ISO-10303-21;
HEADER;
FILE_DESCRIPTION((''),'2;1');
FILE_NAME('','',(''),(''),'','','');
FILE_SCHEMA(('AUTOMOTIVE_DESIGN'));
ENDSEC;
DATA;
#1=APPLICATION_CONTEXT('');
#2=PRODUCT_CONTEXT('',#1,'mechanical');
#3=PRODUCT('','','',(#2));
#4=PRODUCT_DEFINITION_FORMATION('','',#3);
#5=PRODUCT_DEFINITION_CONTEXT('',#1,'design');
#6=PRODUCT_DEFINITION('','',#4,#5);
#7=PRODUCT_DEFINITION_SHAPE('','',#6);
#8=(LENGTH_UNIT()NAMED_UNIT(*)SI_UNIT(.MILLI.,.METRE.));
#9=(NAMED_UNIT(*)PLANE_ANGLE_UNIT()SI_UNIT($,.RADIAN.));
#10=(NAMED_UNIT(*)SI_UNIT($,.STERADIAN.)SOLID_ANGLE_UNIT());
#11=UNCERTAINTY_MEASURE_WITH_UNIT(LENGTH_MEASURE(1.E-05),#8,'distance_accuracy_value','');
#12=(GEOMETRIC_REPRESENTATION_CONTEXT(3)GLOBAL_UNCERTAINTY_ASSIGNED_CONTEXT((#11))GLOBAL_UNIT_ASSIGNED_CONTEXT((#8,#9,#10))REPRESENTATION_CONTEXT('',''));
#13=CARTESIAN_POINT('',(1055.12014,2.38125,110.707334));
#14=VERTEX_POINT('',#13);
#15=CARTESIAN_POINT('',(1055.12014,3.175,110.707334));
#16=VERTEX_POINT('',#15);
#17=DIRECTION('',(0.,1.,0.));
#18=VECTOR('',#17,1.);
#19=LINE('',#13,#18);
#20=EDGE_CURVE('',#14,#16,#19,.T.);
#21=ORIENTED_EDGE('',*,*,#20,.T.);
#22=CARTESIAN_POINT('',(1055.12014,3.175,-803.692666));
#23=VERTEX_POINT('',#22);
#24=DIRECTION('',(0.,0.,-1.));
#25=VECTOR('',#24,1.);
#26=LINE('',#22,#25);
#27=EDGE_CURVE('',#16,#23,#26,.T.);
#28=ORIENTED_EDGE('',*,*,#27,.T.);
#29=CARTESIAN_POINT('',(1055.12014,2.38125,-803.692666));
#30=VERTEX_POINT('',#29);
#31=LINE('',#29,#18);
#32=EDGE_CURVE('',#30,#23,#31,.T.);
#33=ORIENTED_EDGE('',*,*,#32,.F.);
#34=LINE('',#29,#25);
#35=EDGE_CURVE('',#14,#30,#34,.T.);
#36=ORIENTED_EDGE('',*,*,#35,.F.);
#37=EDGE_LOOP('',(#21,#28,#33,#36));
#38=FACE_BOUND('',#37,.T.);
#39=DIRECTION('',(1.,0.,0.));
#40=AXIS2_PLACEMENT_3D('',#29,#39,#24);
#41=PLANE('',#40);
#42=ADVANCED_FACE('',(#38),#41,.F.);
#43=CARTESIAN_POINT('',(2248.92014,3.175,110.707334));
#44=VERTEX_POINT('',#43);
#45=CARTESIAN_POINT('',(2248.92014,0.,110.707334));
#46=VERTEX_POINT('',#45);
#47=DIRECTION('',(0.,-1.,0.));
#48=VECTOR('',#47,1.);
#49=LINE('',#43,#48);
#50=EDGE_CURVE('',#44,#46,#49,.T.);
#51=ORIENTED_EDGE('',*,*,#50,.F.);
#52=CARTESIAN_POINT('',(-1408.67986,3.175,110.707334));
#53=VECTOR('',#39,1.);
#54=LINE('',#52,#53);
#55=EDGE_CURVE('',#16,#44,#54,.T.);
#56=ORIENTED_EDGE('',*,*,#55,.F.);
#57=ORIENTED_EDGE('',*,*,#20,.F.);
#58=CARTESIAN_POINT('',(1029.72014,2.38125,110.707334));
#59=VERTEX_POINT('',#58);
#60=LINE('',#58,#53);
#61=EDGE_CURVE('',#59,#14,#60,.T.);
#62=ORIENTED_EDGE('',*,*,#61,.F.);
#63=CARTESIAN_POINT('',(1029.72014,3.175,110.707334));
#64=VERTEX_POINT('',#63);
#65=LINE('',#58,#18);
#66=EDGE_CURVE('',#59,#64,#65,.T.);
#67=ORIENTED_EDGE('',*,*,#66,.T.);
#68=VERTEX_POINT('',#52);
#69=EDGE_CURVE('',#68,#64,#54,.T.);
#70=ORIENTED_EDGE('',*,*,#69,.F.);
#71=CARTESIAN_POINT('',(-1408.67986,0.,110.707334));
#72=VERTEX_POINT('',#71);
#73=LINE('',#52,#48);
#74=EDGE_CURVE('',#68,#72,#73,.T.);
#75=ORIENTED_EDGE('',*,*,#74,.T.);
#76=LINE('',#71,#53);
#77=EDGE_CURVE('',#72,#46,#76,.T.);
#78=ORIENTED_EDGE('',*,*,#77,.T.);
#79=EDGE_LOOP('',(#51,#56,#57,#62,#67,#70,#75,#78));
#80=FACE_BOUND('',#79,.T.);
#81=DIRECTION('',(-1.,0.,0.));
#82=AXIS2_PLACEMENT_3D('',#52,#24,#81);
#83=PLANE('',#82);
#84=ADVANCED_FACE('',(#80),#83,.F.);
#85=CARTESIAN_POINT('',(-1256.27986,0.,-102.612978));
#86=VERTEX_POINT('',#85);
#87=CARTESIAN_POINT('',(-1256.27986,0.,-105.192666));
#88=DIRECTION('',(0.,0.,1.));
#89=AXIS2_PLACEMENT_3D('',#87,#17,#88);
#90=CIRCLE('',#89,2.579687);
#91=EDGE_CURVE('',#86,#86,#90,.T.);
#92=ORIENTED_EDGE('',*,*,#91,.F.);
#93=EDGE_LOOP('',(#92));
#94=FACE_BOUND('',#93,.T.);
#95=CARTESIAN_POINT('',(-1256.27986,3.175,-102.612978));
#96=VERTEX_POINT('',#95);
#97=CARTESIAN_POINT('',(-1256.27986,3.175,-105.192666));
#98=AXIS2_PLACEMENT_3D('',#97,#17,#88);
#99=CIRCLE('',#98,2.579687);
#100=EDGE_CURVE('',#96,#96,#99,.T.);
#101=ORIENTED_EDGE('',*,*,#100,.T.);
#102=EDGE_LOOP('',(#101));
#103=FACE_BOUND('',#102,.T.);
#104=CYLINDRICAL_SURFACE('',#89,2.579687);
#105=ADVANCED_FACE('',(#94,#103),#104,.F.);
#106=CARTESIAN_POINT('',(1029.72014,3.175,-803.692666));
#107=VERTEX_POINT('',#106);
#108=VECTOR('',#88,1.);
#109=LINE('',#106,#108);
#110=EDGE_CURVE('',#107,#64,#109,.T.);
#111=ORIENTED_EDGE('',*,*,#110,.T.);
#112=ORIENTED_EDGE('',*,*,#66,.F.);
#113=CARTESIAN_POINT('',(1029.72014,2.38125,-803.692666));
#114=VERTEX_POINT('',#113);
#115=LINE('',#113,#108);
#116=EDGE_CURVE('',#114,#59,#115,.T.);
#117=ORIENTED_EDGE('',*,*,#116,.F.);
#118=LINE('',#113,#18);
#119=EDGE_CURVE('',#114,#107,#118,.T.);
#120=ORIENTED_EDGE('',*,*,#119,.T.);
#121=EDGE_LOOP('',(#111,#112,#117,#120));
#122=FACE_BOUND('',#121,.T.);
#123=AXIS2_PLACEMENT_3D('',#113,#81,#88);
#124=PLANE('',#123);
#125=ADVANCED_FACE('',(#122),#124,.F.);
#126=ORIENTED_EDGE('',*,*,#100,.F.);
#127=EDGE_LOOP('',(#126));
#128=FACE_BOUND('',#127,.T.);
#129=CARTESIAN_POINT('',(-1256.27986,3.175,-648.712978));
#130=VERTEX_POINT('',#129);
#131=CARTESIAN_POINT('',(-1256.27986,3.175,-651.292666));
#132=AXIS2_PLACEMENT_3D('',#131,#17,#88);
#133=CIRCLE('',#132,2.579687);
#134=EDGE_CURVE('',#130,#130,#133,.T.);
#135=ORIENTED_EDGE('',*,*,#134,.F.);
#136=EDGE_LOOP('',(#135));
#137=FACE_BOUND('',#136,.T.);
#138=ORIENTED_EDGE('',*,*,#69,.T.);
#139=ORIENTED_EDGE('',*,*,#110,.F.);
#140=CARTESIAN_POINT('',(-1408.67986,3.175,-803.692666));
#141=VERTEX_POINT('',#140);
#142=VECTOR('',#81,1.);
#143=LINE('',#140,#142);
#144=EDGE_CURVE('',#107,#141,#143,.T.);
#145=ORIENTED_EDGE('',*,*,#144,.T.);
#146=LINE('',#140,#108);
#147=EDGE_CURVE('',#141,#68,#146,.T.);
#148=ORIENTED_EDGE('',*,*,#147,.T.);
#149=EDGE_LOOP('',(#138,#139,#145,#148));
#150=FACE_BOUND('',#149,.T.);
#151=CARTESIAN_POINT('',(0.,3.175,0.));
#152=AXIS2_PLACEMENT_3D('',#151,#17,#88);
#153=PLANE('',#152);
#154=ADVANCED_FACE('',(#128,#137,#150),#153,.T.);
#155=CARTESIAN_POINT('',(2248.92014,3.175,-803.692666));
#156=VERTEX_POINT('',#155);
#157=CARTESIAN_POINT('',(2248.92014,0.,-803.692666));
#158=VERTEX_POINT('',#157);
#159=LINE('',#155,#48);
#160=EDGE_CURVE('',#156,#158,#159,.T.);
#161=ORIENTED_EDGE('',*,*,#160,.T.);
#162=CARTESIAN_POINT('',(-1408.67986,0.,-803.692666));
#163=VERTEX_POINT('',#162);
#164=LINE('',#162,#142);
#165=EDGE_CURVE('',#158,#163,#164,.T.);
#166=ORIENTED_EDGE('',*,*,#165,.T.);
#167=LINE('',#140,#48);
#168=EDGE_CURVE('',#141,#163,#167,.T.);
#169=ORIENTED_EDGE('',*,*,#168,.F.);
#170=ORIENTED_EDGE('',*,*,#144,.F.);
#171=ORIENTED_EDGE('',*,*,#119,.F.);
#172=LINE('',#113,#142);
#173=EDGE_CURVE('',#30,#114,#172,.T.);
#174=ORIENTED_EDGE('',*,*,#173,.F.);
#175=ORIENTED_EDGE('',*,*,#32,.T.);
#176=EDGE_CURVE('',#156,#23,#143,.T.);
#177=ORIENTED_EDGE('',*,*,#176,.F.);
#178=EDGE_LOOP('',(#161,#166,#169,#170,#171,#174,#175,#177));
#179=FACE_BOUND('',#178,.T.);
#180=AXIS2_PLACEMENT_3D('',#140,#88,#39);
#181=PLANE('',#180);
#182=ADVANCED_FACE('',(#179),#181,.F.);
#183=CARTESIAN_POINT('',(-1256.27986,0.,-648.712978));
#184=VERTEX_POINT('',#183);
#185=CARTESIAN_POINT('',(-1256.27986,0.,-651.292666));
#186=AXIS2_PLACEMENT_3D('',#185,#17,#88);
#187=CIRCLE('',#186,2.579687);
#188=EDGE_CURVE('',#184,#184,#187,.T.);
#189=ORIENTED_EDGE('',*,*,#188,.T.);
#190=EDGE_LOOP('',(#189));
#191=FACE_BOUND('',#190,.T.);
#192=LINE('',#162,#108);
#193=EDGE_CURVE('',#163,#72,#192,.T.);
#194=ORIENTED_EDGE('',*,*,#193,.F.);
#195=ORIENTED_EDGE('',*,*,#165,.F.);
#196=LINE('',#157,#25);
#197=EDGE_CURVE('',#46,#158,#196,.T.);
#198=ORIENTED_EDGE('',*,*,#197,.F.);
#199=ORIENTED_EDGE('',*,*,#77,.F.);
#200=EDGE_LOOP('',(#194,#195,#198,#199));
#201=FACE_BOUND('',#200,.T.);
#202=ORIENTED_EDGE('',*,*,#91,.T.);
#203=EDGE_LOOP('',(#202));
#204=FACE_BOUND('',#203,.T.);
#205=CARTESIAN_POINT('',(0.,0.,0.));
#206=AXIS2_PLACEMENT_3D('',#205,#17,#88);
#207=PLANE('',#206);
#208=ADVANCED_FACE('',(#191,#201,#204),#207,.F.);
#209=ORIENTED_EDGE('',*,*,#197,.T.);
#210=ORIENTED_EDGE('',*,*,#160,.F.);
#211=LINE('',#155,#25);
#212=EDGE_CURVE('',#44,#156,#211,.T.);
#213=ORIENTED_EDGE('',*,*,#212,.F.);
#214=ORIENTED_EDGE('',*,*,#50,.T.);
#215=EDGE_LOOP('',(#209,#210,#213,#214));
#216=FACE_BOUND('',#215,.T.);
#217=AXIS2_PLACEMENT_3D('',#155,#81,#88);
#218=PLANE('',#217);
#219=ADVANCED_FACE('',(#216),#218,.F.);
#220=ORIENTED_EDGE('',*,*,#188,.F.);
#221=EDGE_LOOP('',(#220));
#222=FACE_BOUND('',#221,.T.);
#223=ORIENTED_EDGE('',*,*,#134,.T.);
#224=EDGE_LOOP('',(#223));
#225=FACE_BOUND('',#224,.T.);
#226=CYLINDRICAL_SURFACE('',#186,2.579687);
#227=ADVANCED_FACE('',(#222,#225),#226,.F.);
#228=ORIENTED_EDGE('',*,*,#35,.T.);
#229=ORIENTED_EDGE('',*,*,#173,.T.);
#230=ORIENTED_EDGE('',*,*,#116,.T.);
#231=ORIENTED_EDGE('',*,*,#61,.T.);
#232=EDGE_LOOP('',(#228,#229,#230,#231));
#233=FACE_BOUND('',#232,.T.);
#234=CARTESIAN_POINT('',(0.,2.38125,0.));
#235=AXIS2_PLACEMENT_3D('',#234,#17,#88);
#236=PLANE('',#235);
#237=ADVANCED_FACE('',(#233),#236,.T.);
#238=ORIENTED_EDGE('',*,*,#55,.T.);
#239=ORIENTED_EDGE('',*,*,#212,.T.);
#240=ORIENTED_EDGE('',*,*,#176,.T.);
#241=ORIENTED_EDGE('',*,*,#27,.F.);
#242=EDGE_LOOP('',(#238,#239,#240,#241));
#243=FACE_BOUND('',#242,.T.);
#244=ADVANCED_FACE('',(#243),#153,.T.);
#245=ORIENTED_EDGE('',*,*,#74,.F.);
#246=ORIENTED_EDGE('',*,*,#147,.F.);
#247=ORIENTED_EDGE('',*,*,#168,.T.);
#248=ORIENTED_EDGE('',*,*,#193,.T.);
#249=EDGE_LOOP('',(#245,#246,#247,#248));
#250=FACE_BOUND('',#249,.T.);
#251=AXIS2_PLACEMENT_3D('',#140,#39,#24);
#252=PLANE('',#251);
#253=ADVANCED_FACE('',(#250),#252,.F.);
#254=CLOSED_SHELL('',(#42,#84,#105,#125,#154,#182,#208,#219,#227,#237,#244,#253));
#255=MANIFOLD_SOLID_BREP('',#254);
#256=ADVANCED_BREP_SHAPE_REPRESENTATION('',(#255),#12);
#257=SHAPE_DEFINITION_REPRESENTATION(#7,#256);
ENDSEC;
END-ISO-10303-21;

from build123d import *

# Parameters (mm, degrees)
SKETCH1_W           = 3657.6
SKETCH1_H           = 914.4
BOSS_EXTRUDE1_DEPTH = 3.175
SKETCH2_R           = 2.5796875
CUT_EXTRUDE1_DEPTH  = 3.175
SKETCH3_W           = 25.4
SKETCH3_H           = 914.4
CUT_EXTRUDE2_DEPTH  = 0.79375


with BuildPart() as part:
    # Sketch1 → Boss-Extrude1 (new body)
    with BuildSketch(Plane(origin=(0, 0, 0), x_dir=(1, 0, 0), z_dir=(0, 1, 0))):
        with Locations((420.120139697, 346.492665891)):
            Rectangle(SKETCH1_W, SKETCH1_H)
    extrude(amount=BOSS_EXTRUDE1_DEPTH)

    # Sketch2 → Cut-Extrude1 (cut)
    with BuildSketch(Plane(origin=(0, 3.175, 0), x_dir=(1, 0, 0), z_dir=(0, 1, 0))):
        with Locations((-1256.279860303, 651.292665891)):
            Circle(SKETCH2_R)
        with Locations((-1256.279860303, 105.192665891)):
            Circle(SKETCH2_R)
    extrude(amount=-CUT_EXTRUDE1_DEPTH, mode=Mode.SUBTRACT)

    # Sketch3 → Cut-Extrude2 (cut)
    with BuildSketch(Plane(origin=(0, 3.175, 0), x_dir=(1, 0, 0), z_dir=(0, 1, 0))):
        with Locations((1042.420139697, 346.492665891)):
            Rectangle(SKETCH3_W, SKETCH3_H)
    extrude(amount=-CUT_EXTRUDE2_DEPTH, mode=Mode.SUBTRACT)


solid = part.part
